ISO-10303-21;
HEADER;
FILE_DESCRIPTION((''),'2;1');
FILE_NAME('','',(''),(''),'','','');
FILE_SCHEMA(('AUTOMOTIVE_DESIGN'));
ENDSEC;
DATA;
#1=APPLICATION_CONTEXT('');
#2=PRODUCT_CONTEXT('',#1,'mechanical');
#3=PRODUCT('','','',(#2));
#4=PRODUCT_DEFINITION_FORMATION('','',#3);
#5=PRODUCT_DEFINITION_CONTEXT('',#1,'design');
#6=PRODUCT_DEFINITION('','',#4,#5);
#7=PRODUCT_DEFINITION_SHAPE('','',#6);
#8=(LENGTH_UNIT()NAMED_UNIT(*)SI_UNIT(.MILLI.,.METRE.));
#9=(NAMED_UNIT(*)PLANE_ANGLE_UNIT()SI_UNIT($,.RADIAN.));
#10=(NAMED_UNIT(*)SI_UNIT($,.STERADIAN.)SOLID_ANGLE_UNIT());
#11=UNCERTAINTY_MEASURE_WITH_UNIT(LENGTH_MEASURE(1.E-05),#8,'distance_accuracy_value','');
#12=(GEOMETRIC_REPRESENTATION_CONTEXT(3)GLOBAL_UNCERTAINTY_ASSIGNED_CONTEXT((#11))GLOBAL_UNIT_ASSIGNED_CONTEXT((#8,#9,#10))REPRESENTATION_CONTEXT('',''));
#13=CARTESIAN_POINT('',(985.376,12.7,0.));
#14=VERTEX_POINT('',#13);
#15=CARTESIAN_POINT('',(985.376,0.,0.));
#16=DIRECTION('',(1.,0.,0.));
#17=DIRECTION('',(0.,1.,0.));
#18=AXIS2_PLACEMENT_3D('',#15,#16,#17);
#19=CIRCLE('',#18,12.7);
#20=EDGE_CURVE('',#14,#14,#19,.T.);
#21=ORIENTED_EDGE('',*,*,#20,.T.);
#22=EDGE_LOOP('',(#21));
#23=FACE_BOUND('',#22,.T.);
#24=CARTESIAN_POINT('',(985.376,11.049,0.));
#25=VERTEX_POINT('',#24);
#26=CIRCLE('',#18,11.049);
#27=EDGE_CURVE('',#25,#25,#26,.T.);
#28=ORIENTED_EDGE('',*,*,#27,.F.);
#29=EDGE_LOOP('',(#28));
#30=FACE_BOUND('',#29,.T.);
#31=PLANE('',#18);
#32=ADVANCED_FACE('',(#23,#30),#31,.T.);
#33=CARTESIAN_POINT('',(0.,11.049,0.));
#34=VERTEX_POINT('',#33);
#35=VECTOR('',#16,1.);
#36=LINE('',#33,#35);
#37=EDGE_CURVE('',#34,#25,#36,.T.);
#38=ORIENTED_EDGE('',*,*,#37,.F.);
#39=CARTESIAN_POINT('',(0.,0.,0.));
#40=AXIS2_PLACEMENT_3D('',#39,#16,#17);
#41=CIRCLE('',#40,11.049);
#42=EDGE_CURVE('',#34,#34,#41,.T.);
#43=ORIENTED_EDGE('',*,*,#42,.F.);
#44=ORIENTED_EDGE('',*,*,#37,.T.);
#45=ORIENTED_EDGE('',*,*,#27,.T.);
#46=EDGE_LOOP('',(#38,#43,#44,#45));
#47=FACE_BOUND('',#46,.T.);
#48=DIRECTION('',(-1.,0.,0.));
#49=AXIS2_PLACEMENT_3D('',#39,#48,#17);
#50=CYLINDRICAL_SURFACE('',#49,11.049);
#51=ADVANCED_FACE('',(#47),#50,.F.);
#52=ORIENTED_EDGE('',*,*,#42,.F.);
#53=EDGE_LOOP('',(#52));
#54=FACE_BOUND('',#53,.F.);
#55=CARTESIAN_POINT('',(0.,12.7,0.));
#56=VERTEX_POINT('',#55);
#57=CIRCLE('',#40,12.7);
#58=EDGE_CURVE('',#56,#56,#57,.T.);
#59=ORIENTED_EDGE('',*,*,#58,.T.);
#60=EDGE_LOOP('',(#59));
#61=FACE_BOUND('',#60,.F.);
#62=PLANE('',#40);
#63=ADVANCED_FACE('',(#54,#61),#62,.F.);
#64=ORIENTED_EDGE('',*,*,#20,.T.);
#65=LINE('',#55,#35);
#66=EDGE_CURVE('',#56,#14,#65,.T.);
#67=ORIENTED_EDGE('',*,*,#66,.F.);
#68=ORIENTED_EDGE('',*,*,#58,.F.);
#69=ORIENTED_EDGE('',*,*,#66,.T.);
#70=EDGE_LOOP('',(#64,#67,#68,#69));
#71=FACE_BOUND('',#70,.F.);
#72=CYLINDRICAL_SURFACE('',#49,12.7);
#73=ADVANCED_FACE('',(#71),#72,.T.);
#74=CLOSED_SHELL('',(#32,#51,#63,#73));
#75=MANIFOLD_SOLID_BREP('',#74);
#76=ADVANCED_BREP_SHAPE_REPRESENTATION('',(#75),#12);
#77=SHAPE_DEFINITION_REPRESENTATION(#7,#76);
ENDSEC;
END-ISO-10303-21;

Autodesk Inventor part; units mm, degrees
ref_plane "XZ Plane" through (0, 0, 0) normal (0, 1, 0) x (-1, 0, 0)
ref_plane "Start Plane" through (0, 0, 0) normal (1, 0, 0) x (0, 1, 0)
ref_plane "End Plane" through (985.376, 0, 0) normal (1, 0, 0) x (0, 1, 0)
sketch "Sketch" plane through (0, 0, 0) normal (1, 0, 0) x (0, 1, 0)
  circle A0 centre (0, 0) radius 12.7
  circle A1 centre (0, 0) radius 11.049
  dimension "d0" = 25.4
  dimension "d1" = 1.651
extrude "Body" add sketch "Sketch" along normal up to surface (985.376 mm away) from surface at 0
sketch "Sketch2" plane through (0, 0, 0) normal (1, 0, 0) x (0, 1, 0)
  line L0 (0, 0) -> (10, 0)
ref_plane "Work Plane3" through (0, 0, 0) normal (0, 0, -1) x (0, 1, 0)
sketch "Sketch3" plane through (0, 0, 0) normal (0, 0, -1) x (0, 1, 0)
  line L0 (-2, 0) -> (12, 0)
  line L1 (-2, 985.376) -> (12, 985.376)
  dimension "d9" = 985.376
equation "\"G_OFFSET_START\" = 0"
equation "\"G_OFFSET_END\" = 0"
equation "\"d5\" = d2 + G_OFFSET_END"
equation "\"G_L\" = d9"
equation "\"d2\" = 985.375969"
properties part number "4130_1x0.065" material "Steel, Alloy"
